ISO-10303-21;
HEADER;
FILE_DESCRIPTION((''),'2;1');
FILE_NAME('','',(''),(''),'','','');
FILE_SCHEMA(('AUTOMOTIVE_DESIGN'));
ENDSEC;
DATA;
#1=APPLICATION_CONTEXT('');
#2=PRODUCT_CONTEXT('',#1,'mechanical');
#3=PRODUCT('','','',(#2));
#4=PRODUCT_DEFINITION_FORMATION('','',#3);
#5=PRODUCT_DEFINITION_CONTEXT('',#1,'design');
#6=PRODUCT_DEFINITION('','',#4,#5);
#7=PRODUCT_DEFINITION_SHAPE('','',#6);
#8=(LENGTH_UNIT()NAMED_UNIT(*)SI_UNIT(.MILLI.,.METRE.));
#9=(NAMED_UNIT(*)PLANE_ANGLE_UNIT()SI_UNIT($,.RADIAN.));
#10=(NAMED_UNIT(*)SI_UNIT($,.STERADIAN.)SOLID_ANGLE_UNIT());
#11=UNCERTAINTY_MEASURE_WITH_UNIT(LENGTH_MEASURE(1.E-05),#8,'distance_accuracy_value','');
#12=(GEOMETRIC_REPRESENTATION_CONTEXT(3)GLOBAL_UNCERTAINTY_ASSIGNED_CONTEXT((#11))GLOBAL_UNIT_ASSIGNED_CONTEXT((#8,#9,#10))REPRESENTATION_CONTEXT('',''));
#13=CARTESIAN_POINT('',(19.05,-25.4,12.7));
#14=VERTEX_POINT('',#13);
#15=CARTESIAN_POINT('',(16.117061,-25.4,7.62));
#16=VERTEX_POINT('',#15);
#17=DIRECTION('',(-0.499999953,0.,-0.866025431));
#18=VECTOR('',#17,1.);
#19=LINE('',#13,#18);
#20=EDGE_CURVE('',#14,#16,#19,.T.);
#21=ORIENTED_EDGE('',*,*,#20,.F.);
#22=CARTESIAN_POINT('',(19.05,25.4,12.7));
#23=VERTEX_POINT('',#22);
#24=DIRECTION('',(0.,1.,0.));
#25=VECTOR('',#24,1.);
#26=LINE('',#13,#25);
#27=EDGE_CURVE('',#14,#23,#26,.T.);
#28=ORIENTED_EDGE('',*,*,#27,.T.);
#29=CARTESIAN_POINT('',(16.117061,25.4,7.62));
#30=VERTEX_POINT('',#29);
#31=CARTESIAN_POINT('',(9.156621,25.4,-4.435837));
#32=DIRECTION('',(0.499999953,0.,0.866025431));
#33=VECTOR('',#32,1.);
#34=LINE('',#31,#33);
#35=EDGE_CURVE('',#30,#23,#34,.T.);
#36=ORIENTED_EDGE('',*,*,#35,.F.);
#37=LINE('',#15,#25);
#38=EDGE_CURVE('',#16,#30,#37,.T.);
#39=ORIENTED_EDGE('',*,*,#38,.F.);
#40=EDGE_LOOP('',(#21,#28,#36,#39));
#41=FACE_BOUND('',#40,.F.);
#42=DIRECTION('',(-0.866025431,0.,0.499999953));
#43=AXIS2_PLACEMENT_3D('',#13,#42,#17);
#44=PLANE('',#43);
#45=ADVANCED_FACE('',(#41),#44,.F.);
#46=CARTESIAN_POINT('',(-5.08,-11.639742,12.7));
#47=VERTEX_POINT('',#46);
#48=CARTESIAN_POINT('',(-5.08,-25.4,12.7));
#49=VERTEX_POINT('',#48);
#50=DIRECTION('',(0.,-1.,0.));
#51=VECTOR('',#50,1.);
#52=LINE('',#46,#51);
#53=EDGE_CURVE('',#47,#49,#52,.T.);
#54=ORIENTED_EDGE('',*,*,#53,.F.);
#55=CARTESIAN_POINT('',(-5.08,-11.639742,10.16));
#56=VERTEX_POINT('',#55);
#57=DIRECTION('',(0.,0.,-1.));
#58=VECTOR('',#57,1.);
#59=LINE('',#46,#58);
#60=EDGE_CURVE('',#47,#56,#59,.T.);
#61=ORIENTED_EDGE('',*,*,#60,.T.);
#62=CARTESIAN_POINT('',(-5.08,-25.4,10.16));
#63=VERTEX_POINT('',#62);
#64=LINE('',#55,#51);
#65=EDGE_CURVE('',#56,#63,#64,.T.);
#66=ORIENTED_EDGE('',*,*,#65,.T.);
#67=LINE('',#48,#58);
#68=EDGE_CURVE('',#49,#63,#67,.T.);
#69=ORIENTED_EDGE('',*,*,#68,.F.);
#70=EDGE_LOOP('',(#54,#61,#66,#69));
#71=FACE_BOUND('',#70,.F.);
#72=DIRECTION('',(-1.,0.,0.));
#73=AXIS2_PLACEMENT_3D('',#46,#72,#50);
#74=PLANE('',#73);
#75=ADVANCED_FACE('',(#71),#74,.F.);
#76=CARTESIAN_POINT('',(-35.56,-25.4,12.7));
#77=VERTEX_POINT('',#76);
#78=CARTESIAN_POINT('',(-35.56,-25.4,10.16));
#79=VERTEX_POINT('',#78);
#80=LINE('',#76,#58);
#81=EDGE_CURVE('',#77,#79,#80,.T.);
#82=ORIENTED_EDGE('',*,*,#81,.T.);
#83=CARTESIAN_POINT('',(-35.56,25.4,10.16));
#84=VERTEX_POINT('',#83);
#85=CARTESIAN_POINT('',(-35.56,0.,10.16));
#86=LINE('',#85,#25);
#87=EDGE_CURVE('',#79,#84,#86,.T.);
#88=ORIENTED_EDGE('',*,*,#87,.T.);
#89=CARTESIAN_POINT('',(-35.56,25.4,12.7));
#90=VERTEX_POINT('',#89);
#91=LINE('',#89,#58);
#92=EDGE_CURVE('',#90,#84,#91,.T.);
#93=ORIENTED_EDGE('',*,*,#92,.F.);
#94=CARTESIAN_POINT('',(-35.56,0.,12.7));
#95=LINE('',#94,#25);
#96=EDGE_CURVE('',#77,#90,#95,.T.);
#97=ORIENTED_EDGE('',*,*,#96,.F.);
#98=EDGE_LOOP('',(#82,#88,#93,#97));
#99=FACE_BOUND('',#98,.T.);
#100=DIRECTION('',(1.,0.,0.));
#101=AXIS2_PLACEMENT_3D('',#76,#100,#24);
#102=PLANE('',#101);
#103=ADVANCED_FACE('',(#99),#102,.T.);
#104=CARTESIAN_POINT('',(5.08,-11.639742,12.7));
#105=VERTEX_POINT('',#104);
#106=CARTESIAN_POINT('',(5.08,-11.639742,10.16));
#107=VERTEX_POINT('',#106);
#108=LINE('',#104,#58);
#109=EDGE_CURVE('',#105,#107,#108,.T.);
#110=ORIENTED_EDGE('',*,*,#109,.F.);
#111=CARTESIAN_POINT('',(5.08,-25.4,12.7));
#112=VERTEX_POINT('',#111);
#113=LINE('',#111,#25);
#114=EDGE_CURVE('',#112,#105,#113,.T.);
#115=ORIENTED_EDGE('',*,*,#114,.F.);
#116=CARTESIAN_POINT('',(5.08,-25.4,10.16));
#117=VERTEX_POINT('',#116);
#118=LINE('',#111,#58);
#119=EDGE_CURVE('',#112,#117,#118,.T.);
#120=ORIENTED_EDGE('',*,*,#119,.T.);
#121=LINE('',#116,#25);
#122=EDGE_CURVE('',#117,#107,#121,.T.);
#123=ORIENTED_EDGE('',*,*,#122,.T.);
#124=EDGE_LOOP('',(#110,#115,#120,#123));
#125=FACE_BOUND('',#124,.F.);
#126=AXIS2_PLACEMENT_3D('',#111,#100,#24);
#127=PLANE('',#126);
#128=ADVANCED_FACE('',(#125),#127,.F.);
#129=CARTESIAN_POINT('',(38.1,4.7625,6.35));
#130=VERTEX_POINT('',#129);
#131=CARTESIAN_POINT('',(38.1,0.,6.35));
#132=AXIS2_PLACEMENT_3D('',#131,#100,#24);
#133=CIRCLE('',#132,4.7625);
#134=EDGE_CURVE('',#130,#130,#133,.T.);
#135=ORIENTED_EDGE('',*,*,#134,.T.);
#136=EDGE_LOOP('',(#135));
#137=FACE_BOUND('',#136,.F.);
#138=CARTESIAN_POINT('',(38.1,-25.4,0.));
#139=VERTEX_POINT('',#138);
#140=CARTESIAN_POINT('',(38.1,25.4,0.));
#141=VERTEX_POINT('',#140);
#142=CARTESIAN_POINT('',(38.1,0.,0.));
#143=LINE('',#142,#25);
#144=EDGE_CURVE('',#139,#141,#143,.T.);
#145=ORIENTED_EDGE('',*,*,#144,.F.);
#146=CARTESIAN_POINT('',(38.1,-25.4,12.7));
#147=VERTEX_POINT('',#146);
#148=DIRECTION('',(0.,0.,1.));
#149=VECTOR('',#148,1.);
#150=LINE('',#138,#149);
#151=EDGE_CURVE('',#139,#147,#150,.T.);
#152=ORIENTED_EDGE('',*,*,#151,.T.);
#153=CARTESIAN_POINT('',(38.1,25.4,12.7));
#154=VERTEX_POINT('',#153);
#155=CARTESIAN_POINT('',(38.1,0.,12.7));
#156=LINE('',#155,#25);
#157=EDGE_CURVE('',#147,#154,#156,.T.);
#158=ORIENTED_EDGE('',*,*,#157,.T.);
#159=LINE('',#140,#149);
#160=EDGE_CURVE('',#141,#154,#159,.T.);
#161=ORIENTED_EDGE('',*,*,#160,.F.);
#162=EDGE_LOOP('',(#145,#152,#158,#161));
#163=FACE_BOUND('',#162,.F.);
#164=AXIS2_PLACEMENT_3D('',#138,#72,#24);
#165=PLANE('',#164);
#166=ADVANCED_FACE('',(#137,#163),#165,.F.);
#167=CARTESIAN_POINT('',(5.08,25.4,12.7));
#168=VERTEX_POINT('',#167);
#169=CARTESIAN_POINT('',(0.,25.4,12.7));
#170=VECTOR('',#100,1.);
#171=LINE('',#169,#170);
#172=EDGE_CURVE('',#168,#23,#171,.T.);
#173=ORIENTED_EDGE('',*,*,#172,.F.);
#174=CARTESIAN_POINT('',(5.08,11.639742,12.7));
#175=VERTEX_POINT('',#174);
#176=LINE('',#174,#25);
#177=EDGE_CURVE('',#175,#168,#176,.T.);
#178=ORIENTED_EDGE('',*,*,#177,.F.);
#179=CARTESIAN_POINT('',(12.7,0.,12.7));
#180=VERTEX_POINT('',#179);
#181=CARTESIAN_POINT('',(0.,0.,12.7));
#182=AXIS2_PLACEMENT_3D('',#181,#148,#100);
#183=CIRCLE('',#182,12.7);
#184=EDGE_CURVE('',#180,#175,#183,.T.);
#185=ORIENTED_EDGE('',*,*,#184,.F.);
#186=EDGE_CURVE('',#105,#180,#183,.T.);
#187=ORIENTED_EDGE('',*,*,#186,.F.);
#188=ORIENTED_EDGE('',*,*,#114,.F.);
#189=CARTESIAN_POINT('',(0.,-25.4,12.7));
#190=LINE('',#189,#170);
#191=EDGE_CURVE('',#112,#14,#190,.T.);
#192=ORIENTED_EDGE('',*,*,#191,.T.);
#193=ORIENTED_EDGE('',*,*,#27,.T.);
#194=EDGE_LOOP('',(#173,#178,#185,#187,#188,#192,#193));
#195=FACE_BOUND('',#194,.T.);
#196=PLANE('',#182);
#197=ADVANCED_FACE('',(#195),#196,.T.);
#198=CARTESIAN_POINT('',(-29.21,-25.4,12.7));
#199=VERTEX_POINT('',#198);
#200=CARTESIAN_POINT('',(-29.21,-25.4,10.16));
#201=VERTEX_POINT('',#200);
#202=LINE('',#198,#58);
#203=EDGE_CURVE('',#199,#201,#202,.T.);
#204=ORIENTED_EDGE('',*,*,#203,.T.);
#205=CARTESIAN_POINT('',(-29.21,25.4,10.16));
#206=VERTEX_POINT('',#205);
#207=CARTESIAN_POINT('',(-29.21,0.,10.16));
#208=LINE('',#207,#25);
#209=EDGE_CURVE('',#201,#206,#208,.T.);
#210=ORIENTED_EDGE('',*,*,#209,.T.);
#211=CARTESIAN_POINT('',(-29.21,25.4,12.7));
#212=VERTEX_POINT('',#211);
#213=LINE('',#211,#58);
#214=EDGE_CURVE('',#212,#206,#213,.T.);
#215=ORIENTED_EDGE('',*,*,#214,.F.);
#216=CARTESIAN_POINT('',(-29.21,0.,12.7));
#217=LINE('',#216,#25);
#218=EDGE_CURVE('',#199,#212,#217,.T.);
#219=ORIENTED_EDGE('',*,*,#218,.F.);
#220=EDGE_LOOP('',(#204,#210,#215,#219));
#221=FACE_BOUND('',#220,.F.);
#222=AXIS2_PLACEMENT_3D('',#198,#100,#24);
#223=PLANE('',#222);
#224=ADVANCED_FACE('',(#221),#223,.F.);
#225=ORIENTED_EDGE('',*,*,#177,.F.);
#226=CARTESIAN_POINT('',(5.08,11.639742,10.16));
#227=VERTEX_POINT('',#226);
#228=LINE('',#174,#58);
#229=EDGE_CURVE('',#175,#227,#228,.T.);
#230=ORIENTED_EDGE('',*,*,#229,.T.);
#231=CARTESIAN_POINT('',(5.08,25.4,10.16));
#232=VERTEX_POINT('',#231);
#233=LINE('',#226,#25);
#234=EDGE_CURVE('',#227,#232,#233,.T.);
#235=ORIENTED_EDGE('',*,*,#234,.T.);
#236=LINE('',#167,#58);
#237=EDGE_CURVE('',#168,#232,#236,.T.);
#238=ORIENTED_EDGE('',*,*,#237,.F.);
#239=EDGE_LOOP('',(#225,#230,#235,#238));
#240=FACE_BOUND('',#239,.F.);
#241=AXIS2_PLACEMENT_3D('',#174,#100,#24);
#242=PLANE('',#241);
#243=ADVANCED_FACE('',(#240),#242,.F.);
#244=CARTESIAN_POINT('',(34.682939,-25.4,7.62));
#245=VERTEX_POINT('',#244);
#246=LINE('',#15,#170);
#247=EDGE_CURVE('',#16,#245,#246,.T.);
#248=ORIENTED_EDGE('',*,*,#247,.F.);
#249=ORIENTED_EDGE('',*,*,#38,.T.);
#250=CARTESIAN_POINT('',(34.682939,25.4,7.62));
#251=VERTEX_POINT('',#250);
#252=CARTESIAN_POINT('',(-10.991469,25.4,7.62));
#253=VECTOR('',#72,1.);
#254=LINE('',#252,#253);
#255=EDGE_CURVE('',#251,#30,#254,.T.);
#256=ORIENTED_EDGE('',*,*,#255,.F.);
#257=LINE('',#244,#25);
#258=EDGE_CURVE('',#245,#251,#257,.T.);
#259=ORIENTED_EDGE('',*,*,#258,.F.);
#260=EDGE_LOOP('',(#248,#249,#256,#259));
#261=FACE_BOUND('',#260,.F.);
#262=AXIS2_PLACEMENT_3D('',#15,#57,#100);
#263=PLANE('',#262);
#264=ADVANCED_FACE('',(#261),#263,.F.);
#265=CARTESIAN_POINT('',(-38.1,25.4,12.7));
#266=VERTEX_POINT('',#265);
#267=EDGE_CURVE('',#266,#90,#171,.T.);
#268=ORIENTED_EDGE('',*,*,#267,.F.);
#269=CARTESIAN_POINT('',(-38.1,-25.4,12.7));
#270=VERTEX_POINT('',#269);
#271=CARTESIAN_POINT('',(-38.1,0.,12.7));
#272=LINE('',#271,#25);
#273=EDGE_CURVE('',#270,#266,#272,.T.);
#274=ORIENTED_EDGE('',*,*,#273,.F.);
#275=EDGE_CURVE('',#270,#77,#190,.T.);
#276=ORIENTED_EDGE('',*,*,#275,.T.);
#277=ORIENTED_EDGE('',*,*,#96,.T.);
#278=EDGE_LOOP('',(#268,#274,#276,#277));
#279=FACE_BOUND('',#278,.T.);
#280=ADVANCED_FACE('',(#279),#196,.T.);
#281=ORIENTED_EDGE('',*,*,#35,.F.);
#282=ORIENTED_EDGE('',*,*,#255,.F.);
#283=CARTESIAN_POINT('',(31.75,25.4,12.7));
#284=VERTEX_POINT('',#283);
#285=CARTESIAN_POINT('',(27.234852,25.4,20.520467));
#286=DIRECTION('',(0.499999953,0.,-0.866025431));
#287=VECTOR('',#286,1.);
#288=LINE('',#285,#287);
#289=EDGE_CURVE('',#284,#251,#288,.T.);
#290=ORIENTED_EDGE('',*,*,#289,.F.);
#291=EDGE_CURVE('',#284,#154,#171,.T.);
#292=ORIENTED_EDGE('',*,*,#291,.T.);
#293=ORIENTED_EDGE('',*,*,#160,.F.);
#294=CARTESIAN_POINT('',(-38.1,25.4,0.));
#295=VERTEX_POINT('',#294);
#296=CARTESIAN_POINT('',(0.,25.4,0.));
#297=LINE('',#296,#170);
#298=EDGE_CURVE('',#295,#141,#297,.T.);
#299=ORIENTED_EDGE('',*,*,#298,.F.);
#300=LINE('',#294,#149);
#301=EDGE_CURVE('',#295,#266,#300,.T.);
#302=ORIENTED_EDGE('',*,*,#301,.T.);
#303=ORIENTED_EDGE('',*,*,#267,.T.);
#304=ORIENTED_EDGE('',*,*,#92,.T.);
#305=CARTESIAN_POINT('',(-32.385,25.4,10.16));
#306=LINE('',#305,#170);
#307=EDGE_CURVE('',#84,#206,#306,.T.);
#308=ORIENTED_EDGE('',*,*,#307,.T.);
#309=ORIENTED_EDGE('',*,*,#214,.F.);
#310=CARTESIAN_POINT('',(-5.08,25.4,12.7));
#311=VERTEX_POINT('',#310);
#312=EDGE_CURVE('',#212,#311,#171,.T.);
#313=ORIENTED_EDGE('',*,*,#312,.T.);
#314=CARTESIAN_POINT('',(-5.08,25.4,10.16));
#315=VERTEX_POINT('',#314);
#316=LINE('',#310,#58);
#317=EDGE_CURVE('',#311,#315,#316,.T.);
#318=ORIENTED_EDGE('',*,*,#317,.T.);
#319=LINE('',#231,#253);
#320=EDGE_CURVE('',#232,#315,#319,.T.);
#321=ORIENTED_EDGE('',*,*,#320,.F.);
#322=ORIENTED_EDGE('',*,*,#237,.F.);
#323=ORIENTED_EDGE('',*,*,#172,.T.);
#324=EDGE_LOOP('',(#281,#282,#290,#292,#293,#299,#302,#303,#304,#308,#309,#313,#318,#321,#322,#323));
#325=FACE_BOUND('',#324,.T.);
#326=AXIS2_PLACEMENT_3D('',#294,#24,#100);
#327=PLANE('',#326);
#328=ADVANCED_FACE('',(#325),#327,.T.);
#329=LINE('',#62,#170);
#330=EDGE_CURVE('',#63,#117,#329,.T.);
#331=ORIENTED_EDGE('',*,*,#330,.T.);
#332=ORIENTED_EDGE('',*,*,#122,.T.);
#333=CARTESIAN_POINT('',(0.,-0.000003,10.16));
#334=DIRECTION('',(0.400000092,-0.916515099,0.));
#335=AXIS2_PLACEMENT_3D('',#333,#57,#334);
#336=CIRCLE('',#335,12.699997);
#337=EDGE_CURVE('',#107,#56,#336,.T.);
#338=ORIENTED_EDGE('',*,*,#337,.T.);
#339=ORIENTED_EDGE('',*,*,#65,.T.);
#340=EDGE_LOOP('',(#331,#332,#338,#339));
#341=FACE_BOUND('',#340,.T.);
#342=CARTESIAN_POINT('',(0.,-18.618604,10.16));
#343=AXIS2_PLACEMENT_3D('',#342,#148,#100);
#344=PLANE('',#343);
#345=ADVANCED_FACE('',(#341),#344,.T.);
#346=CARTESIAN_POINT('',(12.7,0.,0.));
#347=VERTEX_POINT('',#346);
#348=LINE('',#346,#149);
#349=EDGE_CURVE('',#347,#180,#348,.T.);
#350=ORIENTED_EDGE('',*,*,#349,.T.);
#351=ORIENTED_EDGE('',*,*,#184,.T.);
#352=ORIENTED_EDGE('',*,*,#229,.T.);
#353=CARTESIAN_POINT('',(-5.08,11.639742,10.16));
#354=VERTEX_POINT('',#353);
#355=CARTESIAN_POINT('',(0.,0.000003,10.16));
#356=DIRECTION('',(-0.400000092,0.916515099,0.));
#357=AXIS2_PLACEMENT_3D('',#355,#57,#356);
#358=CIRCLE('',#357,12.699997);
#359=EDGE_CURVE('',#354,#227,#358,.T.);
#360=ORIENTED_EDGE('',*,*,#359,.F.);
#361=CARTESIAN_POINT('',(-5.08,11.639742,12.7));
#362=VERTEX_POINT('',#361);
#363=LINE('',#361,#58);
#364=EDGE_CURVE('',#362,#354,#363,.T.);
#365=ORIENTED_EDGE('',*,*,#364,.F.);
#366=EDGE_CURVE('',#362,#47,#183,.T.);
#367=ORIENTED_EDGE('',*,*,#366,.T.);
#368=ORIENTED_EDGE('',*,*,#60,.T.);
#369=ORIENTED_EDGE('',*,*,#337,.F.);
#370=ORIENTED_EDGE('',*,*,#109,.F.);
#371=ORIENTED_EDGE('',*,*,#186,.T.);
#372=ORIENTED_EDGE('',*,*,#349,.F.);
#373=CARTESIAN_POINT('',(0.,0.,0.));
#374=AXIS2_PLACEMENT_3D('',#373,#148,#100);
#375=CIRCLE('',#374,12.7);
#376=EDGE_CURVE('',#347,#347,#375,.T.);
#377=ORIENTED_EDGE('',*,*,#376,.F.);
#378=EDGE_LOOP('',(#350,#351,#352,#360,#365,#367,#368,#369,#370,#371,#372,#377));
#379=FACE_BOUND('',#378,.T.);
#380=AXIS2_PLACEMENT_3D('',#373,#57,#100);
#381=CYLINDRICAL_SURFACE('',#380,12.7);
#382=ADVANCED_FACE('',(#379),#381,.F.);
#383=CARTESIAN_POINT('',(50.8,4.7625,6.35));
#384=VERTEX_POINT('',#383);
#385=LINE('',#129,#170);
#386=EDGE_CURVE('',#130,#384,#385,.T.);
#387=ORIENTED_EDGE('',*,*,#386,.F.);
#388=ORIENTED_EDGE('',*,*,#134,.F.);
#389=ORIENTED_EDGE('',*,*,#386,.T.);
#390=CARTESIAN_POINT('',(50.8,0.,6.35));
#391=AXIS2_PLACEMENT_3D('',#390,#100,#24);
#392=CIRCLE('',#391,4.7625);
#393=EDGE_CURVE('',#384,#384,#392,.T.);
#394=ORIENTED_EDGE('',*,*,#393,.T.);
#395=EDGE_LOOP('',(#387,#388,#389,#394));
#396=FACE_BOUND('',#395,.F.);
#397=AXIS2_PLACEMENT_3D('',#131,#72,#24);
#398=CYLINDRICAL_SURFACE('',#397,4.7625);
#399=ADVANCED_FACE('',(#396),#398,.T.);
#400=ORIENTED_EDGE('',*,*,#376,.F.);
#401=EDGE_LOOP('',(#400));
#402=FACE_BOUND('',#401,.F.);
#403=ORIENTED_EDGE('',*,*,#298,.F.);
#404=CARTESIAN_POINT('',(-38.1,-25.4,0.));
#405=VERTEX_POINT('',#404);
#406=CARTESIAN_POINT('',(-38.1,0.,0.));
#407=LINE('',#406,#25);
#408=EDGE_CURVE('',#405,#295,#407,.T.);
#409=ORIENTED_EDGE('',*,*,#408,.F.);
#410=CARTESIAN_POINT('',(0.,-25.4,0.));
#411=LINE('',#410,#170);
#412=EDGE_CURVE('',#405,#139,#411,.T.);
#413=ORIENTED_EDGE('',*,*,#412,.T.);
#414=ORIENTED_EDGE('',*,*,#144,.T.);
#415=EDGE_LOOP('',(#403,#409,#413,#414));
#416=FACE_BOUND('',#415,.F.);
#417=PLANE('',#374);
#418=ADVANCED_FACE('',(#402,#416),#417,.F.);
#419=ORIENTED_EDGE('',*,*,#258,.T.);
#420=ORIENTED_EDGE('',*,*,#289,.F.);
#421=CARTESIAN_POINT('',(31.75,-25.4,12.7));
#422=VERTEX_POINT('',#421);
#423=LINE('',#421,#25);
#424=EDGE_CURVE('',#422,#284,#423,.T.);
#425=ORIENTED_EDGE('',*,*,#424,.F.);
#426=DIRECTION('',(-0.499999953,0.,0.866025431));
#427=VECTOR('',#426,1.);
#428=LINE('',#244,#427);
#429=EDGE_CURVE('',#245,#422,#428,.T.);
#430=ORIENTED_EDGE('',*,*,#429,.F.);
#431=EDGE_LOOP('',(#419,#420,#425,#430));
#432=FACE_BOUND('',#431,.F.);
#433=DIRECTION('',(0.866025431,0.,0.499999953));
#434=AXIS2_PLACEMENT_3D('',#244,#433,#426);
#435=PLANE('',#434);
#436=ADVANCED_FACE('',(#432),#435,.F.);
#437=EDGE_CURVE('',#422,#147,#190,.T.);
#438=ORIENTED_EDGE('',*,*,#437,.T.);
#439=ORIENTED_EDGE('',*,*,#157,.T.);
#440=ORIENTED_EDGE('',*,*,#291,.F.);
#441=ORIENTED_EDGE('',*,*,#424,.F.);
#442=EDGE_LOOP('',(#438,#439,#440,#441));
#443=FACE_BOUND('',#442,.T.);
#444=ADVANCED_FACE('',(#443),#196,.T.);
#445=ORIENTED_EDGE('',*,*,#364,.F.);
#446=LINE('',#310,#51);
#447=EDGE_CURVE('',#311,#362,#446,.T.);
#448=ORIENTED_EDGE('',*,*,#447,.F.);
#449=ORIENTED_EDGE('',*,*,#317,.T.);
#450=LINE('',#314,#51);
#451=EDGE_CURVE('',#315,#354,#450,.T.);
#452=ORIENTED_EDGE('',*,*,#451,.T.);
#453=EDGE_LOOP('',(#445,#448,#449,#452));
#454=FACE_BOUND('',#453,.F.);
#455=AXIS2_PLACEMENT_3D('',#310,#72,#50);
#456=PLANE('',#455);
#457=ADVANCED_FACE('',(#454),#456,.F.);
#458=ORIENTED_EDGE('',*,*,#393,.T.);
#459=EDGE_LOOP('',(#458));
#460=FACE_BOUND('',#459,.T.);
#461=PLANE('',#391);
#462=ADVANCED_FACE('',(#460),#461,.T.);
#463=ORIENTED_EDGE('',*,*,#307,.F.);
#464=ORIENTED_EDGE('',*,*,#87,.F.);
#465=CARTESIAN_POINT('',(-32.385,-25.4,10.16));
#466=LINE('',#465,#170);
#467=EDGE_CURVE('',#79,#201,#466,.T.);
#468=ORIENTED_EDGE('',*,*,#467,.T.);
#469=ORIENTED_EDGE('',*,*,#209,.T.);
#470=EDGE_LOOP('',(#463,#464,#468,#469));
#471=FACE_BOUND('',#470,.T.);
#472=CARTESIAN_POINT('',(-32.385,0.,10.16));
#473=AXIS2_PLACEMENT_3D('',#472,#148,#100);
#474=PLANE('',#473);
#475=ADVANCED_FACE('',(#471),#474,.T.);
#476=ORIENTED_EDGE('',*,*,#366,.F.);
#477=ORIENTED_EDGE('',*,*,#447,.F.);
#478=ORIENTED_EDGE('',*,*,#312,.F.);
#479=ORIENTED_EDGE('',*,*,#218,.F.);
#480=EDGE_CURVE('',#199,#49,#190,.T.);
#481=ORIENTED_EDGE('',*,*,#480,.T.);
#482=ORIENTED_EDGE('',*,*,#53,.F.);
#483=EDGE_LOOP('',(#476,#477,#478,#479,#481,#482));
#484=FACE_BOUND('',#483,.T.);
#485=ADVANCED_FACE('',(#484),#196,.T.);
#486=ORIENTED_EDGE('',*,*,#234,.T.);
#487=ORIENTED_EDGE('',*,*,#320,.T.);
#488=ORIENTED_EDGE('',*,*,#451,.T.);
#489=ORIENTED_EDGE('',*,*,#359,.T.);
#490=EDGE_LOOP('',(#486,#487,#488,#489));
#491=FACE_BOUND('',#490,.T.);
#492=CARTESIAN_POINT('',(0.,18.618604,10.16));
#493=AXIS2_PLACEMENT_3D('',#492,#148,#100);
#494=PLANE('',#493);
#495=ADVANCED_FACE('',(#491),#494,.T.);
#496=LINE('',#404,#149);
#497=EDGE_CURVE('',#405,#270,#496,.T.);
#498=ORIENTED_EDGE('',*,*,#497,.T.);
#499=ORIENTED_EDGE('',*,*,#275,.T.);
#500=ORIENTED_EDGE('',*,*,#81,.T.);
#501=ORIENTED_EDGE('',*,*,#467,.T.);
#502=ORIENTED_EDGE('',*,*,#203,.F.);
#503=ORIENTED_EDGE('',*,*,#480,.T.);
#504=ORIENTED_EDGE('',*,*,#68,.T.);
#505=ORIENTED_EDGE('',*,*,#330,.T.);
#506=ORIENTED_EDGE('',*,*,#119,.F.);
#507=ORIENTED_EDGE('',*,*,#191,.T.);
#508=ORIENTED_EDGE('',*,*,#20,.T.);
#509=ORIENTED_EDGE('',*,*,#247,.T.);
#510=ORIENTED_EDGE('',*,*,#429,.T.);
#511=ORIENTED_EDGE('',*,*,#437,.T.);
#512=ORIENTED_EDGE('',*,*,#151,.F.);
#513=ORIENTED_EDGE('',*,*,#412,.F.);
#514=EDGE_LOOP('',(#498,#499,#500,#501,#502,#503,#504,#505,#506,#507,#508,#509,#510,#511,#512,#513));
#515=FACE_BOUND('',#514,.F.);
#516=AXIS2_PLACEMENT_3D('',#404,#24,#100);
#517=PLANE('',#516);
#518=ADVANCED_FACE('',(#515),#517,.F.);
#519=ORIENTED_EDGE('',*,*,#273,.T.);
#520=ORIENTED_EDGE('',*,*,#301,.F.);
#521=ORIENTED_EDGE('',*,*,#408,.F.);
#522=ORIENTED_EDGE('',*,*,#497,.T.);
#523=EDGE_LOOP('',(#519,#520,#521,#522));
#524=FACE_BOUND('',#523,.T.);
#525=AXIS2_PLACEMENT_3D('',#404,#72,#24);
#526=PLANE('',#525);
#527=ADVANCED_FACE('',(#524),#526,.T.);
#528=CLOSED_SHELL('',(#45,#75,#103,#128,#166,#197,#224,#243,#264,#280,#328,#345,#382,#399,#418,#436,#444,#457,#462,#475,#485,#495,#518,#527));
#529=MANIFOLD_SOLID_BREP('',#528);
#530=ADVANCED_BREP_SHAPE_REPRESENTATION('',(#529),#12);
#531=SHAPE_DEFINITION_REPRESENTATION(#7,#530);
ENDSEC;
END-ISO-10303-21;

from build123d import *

# Parameters (mm, degrees)
F0_W     = 76.2
F0_H     = 50.8
F0_R     = 12.7
F1_DEPTH = 12.7
F2_W     = 6.35
F2_H     = 50.8
F3_DEPTH = 2.54
F5_DEPTH = 50.801
F6_R     = 4.7625
F7_DEPTH = 12.7


with BuildPart() as f1:
    # F0 (on Top) → F1 (new body)
    with BuildSketch(Plane.XY):
        Rectangle(F0_W, F0_H)
        Circle(F0_R, mode=Mode.SUBTRACT)
    extrude(amount=F1_DEPTH)

    # F2 (on face) → F3 (cut)
    with BuildSketch(Plane.XY.offset(12.7)):
        with Locations((-32.385, 0)):
            Rectangle(F2_W, F2_H)
        with BuildLine():
            Line((-5.08, -11.639742), (-5.08, -25.4))
            Line((-5.08, -25.4), (5.08, -25.4))
            Line((5.08, -25.4), (5.08, -11.639742))
            ThreePointArc((5.08, -11.639742), (0, -12.7), (-5.08, -11.639742))
        make_face()
        with BuildLine():
            Line((5.08, 25.4), (-5.08, 25.4))
            Line((-5.08, 25.4), (-5.08, 11.639742))
            ThreePointArc((-5.08, 11.639742), (0, 12.7), (5.08, 11.639742))
            Line((5.08, 11.639742), (5.08, 25.4))
        make_face()
    extrude(amount=-F3_DEPTH, mode=Mode.SUBTRACT)

    # F4 (on face) → F5 (cut, through all)
    with BuildSketch(Plane.XZ.offset(25.4)):
        Polygon((31.75, 12.7), (19.05, 12.7), (16.117061, 7.62), (34.682939, 7.62), align=None)
    extrude(amount=-F5_DEPTH, mode=Mode.SUBTRACT)

    # F6 (on face) → F7 (join)
    with BuildSketch(Plane.YZ.offset(38.1)):
        with Locations((0, 6.35)):
            Circle(F6_R)
    extrude(amount=F7_DEPTH)


solid = f1.part
